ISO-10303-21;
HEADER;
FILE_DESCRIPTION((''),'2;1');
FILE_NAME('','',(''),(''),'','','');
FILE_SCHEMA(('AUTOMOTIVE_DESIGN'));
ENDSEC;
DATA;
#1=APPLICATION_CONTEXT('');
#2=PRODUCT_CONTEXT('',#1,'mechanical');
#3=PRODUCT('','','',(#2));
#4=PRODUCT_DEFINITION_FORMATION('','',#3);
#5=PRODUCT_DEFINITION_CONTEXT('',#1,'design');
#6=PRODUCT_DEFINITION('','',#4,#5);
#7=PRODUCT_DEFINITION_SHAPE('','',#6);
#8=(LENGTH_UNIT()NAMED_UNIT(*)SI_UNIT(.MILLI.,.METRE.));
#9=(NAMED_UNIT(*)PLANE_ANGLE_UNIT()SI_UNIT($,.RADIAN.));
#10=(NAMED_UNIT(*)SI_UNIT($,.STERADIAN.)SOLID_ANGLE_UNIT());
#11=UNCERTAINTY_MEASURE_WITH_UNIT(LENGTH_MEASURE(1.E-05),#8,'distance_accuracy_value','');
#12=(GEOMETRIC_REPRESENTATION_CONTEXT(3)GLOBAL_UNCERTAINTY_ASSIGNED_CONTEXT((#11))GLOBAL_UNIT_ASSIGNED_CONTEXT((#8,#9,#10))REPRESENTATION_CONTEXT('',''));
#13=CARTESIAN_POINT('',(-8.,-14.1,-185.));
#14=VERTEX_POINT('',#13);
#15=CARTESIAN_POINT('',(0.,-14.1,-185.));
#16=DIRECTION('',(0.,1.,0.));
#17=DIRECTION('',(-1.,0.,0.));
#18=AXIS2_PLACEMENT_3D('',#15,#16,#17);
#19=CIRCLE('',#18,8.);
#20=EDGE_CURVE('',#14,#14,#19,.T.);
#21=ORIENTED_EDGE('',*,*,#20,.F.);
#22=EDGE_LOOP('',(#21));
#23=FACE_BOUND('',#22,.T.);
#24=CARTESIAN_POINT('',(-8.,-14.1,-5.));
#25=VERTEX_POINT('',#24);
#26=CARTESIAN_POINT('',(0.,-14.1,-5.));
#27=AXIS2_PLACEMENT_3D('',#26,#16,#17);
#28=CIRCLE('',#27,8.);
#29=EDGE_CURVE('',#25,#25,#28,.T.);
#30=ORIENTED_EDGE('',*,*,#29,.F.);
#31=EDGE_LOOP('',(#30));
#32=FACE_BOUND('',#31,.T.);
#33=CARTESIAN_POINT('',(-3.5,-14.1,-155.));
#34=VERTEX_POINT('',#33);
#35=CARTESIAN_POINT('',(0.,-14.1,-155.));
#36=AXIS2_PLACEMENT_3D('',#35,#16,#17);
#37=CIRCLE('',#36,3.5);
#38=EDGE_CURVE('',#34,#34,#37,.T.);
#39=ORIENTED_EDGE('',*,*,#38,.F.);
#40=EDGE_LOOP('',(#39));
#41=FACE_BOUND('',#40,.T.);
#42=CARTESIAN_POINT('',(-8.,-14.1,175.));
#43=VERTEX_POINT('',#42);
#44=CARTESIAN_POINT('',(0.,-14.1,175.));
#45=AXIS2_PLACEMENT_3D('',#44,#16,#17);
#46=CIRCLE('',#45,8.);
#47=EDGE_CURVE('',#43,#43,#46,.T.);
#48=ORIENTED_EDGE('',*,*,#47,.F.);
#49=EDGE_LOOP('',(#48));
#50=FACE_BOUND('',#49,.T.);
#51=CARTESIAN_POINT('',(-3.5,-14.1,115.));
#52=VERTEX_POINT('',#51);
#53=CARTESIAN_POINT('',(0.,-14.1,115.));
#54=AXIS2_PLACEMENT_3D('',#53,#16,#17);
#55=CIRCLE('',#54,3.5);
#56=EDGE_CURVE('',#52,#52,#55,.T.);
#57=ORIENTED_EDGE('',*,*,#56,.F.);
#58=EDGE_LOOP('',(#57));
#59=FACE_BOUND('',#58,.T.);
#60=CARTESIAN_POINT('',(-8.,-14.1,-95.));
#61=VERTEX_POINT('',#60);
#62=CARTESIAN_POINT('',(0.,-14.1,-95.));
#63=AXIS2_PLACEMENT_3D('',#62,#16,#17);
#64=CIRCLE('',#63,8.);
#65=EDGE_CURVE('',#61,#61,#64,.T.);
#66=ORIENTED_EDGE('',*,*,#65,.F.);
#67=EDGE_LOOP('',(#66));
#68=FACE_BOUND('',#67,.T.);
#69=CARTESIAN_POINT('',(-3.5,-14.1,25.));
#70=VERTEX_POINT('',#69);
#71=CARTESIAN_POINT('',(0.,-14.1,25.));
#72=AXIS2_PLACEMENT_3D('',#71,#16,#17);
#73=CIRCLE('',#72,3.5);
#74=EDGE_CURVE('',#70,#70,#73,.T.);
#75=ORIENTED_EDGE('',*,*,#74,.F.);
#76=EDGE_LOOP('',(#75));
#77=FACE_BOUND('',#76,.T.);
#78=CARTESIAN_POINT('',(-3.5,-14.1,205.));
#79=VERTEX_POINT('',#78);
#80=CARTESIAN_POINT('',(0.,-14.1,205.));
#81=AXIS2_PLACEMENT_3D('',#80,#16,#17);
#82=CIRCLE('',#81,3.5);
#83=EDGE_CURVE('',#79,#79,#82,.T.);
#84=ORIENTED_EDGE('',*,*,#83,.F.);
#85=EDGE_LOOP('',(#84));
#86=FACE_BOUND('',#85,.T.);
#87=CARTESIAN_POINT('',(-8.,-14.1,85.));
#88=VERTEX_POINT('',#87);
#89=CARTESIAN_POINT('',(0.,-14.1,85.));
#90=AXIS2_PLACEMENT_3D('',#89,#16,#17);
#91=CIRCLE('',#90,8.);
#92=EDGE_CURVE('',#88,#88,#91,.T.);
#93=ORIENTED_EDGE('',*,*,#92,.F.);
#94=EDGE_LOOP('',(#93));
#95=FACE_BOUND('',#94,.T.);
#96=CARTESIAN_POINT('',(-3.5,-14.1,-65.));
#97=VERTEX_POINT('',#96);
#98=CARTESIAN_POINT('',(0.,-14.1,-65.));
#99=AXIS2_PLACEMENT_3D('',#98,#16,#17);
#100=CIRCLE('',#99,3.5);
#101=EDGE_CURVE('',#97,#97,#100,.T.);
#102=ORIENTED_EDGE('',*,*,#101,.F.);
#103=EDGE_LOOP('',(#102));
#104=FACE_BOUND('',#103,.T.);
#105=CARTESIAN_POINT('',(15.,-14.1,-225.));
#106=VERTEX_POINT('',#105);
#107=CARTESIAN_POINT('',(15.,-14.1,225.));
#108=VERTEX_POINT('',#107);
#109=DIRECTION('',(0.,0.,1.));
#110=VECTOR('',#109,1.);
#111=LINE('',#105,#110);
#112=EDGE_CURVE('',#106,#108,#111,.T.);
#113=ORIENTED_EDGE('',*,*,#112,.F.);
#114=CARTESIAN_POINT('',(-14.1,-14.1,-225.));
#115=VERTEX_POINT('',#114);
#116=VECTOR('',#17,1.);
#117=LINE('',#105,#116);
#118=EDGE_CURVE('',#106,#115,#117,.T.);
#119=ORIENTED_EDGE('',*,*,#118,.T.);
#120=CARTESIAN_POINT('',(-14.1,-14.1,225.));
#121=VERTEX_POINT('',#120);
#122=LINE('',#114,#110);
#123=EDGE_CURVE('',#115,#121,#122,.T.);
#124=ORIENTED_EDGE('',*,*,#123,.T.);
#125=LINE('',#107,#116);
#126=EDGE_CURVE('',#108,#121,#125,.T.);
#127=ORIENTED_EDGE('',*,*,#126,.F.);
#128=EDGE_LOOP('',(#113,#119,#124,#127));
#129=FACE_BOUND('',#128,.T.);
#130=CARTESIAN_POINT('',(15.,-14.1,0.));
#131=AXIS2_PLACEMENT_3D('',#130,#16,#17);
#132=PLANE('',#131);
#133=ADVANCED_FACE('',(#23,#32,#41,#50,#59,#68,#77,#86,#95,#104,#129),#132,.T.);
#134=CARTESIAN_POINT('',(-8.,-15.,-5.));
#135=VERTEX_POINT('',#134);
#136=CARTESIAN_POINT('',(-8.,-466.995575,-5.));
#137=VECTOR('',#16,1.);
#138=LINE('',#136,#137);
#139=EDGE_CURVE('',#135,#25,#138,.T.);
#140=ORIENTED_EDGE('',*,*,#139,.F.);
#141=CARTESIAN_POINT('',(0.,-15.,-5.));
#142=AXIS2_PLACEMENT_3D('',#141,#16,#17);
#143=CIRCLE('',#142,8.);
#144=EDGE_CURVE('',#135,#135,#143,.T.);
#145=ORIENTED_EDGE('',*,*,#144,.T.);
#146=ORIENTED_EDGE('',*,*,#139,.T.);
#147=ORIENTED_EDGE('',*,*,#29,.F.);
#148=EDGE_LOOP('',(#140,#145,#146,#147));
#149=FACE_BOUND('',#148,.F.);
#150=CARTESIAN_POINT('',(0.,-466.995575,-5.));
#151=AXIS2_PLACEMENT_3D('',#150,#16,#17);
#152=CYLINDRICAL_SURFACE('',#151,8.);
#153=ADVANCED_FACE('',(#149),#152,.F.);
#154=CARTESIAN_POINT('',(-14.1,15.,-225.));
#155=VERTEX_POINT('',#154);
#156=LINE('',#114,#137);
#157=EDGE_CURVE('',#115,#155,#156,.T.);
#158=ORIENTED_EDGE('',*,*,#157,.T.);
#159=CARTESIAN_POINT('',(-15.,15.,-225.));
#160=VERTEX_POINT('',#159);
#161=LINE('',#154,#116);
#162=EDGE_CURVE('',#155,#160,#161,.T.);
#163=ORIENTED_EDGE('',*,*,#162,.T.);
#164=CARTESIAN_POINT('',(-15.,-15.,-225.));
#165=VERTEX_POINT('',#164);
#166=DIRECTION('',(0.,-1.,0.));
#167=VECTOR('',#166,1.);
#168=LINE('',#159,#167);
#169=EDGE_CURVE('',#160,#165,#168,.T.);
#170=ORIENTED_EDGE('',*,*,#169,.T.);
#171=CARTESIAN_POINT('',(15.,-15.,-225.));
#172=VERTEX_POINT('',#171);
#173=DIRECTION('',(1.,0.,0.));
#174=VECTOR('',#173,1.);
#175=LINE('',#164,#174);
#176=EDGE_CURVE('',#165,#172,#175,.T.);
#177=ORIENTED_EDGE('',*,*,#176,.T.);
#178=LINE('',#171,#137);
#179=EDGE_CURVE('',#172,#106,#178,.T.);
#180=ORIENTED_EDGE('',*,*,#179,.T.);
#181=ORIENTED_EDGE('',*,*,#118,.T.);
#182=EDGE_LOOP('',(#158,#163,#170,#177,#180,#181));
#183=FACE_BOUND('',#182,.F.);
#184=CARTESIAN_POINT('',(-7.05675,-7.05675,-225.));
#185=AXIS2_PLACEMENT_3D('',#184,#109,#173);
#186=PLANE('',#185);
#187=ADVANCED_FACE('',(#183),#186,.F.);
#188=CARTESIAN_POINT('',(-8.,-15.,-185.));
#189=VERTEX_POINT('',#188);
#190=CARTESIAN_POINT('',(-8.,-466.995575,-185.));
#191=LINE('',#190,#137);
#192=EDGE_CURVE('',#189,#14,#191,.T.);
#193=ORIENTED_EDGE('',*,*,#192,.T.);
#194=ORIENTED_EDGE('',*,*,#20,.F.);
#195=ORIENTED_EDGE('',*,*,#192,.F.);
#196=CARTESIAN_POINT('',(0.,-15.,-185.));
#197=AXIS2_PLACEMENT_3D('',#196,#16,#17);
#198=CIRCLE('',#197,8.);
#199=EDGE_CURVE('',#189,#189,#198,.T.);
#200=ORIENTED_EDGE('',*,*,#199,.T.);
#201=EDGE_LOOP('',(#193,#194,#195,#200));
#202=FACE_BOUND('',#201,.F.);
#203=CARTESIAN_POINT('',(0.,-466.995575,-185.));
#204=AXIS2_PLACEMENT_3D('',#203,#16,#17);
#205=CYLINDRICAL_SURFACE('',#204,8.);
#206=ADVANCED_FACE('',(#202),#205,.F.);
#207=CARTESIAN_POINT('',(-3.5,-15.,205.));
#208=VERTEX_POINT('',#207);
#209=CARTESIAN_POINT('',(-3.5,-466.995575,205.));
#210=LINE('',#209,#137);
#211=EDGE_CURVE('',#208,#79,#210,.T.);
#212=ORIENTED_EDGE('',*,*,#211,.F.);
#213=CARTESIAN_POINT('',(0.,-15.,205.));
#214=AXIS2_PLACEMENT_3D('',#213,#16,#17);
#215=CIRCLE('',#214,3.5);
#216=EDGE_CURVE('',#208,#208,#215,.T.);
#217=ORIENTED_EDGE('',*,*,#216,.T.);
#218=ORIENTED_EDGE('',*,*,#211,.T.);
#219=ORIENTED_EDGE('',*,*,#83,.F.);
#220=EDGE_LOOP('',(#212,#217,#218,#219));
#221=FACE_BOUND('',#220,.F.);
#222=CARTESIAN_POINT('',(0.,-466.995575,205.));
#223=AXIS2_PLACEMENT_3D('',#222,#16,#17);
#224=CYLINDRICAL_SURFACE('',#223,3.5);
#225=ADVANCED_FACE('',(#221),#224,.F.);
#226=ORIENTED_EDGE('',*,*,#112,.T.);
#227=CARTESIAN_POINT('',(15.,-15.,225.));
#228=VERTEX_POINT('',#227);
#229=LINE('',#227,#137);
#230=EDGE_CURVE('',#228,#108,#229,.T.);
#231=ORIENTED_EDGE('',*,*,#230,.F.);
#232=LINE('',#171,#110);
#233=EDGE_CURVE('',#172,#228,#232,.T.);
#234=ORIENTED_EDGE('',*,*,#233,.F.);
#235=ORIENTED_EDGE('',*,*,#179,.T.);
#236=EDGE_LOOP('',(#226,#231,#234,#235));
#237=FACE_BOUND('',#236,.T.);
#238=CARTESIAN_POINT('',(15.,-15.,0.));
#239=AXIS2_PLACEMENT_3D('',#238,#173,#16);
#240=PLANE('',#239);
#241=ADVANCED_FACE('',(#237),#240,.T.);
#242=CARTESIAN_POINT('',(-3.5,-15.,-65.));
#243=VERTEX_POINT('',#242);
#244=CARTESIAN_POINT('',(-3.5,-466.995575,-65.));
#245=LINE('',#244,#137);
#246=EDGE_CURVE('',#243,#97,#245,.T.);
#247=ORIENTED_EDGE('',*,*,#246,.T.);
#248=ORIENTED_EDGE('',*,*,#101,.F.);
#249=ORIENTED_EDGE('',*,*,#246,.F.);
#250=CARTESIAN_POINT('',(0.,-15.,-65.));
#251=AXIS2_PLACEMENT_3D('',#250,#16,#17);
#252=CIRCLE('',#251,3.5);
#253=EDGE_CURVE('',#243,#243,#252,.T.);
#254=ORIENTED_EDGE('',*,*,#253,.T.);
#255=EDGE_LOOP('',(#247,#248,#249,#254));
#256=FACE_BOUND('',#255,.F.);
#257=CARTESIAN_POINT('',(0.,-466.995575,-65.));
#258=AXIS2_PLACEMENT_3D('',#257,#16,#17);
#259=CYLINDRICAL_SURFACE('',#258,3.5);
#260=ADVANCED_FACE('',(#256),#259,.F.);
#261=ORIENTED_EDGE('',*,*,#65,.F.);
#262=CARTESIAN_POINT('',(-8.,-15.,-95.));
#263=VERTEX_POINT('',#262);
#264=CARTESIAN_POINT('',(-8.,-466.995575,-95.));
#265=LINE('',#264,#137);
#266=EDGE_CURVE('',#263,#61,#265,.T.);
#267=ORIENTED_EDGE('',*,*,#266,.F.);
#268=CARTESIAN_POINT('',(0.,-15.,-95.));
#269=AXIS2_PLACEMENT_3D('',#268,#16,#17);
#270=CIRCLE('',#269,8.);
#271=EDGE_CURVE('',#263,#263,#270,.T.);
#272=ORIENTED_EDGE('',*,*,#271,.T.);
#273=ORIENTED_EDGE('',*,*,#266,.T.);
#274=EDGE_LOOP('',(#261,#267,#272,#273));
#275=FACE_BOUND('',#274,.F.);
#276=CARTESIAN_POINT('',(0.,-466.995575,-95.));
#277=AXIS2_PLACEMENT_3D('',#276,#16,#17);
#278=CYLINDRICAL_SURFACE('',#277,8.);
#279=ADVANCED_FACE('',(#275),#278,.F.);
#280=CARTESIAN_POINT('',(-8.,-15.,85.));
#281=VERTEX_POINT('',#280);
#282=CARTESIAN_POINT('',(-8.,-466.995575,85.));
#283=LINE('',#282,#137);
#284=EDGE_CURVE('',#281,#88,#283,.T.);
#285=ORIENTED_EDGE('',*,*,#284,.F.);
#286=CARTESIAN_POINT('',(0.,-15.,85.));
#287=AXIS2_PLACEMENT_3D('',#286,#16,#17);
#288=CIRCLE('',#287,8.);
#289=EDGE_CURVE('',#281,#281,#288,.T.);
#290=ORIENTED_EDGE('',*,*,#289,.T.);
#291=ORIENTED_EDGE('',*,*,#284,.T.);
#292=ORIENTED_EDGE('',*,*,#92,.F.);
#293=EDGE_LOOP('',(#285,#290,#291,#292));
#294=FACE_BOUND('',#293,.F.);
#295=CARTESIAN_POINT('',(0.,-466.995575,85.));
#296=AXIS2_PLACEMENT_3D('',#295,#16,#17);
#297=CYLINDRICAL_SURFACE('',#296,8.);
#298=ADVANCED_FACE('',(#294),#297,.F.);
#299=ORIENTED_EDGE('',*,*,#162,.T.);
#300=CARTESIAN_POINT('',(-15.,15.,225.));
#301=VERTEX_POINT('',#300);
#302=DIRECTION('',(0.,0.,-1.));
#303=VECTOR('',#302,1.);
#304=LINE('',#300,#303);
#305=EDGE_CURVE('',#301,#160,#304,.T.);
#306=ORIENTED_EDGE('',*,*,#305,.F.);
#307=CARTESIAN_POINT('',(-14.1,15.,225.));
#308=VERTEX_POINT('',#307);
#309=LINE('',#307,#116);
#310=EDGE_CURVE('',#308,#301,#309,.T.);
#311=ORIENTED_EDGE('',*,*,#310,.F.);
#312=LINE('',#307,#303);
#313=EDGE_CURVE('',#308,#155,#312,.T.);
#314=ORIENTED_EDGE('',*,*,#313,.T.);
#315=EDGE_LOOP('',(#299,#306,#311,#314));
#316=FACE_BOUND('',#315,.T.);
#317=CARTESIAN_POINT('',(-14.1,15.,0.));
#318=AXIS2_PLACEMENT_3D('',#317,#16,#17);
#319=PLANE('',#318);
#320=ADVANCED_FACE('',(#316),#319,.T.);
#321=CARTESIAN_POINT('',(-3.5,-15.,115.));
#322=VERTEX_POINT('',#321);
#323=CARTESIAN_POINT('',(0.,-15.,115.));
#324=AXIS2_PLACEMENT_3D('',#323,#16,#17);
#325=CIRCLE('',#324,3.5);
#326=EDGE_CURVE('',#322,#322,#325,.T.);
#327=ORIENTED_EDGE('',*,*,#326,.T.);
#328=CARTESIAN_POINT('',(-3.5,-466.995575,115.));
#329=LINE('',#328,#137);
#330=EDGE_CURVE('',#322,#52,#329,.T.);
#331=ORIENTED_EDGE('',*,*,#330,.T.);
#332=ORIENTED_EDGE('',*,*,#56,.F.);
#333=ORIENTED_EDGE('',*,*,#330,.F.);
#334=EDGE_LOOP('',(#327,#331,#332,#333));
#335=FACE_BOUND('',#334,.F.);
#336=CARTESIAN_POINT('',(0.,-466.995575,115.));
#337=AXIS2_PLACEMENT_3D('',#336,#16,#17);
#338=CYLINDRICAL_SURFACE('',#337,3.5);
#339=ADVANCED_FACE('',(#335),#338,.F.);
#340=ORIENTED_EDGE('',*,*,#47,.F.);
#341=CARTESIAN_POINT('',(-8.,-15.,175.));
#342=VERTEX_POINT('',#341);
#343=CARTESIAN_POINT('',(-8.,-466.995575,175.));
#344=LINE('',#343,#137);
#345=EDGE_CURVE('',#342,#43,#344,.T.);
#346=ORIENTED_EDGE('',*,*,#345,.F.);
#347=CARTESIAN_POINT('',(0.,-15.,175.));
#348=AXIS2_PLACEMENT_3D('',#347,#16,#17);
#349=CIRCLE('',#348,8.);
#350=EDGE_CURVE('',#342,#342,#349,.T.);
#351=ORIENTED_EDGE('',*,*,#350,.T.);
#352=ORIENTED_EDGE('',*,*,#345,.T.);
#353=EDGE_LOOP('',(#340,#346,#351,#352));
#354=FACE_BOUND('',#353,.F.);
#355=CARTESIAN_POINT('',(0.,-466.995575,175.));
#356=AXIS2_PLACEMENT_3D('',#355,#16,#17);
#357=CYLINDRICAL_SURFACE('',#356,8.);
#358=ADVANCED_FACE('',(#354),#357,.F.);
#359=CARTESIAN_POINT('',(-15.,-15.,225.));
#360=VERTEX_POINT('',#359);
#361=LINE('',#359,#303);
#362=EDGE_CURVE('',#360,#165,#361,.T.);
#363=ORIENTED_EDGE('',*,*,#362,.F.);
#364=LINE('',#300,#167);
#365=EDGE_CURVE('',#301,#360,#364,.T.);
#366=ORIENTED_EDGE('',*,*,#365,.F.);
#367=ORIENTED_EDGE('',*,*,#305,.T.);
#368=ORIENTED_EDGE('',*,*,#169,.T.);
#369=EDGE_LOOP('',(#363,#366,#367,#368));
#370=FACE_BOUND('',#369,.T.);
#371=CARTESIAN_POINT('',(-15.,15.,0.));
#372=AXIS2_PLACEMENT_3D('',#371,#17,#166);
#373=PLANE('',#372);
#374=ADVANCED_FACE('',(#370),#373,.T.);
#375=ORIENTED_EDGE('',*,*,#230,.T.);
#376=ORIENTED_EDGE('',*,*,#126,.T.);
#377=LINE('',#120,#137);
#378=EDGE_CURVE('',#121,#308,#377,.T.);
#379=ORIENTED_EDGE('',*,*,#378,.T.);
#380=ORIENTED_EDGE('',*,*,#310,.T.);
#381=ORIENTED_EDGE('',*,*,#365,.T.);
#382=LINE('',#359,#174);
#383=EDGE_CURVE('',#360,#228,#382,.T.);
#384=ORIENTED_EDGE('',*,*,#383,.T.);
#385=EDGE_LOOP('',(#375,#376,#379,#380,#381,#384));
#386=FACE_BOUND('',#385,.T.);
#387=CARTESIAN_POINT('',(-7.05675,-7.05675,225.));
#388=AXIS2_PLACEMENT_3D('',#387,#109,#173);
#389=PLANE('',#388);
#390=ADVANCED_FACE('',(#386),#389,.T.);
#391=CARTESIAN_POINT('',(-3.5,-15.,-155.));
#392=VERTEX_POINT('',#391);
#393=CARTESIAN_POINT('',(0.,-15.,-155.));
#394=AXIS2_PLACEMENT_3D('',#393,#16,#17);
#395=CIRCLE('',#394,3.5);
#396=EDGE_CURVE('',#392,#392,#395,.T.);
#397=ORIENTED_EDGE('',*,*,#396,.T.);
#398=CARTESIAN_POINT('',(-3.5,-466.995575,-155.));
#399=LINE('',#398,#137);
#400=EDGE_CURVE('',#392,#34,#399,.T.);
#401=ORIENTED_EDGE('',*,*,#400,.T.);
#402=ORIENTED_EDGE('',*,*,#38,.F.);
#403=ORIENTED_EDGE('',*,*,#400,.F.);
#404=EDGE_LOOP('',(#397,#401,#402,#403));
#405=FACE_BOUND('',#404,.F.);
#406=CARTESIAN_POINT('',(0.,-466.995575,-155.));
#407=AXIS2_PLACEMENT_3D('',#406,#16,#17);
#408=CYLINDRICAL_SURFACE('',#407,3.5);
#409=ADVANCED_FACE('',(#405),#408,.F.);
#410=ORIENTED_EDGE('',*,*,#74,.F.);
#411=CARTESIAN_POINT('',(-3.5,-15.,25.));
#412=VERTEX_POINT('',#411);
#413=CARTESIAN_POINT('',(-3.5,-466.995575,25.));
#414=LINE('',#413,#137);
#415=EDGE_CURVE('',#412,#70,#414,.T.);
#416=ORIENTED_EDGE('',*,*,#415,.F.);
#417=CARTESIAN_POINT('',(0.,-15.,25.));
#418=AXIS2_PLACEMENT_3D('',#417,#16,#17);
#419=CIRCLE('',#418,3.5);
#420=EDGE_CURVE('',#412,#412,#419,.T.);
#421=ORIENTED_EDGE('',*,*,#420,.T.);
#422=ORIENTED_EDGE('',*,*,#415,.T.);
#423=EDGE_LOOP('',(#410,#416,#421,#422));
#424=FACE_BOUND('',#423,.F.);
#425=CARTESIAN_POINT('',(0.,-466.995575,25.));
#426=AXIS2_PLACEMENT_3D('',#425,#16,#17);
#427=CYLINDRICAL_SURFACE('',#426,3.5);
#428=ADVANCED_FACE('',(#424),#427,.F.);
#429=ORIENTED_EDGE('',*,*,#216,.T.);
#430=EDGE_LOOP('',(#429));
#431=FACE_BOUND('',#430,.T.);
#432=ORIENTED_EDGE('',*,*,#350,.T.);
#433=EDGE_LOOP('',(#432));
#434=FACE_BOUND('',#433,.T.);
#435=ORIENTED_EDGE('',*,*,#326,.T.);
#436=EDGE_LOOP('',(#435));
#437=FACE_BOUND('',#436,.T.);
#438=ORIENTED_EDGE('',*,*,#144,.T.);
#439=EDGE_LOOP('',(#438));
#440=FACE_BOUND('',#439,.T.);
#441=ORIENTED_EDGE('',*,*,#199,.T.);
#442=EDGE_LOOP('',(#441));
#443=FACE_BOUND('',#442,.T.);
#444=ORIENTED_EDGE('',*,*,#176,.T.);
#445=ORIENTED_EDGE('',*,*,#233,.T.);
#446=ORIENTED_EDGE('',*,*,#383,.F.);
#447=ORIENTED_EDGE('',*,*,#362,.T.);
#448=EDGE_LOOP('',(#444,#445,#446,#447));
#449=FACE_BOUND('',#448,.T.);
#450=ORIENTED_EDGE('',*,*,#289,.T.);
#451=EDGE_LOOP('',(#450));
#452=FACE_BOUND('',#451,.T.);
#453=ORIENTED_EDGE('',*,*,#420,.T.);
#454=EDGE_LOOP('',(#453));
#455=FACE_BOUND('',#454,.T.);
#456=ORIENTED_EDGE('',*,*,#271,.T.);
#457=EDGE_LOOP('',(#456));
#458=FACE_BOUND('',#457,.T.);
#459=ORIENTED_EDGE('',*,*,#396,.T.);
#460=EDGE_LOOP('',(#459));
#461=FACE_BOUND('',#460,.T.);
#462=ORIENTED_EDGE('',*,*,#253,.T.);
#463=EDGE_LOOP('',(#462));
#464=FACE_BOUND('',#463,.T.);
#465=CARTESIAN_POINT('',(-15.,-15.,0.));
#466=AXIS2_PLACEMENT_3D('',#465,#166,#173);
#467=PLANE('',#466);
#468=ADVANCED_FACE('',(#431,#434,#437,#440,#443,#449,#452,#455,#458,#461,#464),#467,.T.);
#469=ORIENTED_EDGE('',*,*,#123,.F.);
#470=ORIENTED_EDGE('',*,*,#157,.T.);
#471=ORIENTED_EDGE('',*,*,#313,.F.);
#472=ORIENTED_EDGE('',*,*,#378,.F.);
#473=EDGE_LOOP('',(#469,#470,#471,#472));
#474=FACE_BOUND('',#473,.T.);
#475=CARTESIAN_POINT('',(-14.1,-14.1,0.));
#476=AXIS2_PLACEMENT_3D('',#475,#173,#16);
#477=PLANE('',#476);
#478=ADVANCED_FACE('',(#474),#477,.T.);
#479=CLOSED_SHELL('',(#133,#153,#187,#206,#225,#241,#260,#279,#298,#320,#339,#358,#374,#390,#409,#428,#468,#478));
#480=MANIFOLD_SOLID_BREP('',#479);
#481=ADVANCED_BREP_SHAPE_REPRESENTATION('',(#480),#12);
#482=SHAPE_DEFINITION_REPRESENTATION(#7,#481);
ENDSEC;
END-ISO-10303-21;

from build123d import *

# Parameters (mm, degrees)
F1_DEPTH = 225
F3_D     = 16
F4_D     = 7


with BuildPart() as f1:
    # F0 (on Top) → F1 (new body, symmetric)
    with BuildSketch(Plane.XY):
        Polygon((-15, -15), (15, -15), (15, -14.1), (-14.1, -14.1), (-14.1, 15), (-15, 15), align=None)
    extrude(amount=F1_DEPTH, both=True)

    # F3 (through all)
    with Locations(Plane.XZ.offset(15)):
        with Locations((0, 175), (0, 85), (0, -5), (0, -95), (0, -185)):
            Hole(F3_D / 2)

    # F4 (through all)
    with Locations(Plane.XZ.offset(15)):
        with Locations((0, -155), (0, -65), (0, 25), (0, 115), (0, 205)):
            Hole(F4_D / 2)


solid = f1.part
